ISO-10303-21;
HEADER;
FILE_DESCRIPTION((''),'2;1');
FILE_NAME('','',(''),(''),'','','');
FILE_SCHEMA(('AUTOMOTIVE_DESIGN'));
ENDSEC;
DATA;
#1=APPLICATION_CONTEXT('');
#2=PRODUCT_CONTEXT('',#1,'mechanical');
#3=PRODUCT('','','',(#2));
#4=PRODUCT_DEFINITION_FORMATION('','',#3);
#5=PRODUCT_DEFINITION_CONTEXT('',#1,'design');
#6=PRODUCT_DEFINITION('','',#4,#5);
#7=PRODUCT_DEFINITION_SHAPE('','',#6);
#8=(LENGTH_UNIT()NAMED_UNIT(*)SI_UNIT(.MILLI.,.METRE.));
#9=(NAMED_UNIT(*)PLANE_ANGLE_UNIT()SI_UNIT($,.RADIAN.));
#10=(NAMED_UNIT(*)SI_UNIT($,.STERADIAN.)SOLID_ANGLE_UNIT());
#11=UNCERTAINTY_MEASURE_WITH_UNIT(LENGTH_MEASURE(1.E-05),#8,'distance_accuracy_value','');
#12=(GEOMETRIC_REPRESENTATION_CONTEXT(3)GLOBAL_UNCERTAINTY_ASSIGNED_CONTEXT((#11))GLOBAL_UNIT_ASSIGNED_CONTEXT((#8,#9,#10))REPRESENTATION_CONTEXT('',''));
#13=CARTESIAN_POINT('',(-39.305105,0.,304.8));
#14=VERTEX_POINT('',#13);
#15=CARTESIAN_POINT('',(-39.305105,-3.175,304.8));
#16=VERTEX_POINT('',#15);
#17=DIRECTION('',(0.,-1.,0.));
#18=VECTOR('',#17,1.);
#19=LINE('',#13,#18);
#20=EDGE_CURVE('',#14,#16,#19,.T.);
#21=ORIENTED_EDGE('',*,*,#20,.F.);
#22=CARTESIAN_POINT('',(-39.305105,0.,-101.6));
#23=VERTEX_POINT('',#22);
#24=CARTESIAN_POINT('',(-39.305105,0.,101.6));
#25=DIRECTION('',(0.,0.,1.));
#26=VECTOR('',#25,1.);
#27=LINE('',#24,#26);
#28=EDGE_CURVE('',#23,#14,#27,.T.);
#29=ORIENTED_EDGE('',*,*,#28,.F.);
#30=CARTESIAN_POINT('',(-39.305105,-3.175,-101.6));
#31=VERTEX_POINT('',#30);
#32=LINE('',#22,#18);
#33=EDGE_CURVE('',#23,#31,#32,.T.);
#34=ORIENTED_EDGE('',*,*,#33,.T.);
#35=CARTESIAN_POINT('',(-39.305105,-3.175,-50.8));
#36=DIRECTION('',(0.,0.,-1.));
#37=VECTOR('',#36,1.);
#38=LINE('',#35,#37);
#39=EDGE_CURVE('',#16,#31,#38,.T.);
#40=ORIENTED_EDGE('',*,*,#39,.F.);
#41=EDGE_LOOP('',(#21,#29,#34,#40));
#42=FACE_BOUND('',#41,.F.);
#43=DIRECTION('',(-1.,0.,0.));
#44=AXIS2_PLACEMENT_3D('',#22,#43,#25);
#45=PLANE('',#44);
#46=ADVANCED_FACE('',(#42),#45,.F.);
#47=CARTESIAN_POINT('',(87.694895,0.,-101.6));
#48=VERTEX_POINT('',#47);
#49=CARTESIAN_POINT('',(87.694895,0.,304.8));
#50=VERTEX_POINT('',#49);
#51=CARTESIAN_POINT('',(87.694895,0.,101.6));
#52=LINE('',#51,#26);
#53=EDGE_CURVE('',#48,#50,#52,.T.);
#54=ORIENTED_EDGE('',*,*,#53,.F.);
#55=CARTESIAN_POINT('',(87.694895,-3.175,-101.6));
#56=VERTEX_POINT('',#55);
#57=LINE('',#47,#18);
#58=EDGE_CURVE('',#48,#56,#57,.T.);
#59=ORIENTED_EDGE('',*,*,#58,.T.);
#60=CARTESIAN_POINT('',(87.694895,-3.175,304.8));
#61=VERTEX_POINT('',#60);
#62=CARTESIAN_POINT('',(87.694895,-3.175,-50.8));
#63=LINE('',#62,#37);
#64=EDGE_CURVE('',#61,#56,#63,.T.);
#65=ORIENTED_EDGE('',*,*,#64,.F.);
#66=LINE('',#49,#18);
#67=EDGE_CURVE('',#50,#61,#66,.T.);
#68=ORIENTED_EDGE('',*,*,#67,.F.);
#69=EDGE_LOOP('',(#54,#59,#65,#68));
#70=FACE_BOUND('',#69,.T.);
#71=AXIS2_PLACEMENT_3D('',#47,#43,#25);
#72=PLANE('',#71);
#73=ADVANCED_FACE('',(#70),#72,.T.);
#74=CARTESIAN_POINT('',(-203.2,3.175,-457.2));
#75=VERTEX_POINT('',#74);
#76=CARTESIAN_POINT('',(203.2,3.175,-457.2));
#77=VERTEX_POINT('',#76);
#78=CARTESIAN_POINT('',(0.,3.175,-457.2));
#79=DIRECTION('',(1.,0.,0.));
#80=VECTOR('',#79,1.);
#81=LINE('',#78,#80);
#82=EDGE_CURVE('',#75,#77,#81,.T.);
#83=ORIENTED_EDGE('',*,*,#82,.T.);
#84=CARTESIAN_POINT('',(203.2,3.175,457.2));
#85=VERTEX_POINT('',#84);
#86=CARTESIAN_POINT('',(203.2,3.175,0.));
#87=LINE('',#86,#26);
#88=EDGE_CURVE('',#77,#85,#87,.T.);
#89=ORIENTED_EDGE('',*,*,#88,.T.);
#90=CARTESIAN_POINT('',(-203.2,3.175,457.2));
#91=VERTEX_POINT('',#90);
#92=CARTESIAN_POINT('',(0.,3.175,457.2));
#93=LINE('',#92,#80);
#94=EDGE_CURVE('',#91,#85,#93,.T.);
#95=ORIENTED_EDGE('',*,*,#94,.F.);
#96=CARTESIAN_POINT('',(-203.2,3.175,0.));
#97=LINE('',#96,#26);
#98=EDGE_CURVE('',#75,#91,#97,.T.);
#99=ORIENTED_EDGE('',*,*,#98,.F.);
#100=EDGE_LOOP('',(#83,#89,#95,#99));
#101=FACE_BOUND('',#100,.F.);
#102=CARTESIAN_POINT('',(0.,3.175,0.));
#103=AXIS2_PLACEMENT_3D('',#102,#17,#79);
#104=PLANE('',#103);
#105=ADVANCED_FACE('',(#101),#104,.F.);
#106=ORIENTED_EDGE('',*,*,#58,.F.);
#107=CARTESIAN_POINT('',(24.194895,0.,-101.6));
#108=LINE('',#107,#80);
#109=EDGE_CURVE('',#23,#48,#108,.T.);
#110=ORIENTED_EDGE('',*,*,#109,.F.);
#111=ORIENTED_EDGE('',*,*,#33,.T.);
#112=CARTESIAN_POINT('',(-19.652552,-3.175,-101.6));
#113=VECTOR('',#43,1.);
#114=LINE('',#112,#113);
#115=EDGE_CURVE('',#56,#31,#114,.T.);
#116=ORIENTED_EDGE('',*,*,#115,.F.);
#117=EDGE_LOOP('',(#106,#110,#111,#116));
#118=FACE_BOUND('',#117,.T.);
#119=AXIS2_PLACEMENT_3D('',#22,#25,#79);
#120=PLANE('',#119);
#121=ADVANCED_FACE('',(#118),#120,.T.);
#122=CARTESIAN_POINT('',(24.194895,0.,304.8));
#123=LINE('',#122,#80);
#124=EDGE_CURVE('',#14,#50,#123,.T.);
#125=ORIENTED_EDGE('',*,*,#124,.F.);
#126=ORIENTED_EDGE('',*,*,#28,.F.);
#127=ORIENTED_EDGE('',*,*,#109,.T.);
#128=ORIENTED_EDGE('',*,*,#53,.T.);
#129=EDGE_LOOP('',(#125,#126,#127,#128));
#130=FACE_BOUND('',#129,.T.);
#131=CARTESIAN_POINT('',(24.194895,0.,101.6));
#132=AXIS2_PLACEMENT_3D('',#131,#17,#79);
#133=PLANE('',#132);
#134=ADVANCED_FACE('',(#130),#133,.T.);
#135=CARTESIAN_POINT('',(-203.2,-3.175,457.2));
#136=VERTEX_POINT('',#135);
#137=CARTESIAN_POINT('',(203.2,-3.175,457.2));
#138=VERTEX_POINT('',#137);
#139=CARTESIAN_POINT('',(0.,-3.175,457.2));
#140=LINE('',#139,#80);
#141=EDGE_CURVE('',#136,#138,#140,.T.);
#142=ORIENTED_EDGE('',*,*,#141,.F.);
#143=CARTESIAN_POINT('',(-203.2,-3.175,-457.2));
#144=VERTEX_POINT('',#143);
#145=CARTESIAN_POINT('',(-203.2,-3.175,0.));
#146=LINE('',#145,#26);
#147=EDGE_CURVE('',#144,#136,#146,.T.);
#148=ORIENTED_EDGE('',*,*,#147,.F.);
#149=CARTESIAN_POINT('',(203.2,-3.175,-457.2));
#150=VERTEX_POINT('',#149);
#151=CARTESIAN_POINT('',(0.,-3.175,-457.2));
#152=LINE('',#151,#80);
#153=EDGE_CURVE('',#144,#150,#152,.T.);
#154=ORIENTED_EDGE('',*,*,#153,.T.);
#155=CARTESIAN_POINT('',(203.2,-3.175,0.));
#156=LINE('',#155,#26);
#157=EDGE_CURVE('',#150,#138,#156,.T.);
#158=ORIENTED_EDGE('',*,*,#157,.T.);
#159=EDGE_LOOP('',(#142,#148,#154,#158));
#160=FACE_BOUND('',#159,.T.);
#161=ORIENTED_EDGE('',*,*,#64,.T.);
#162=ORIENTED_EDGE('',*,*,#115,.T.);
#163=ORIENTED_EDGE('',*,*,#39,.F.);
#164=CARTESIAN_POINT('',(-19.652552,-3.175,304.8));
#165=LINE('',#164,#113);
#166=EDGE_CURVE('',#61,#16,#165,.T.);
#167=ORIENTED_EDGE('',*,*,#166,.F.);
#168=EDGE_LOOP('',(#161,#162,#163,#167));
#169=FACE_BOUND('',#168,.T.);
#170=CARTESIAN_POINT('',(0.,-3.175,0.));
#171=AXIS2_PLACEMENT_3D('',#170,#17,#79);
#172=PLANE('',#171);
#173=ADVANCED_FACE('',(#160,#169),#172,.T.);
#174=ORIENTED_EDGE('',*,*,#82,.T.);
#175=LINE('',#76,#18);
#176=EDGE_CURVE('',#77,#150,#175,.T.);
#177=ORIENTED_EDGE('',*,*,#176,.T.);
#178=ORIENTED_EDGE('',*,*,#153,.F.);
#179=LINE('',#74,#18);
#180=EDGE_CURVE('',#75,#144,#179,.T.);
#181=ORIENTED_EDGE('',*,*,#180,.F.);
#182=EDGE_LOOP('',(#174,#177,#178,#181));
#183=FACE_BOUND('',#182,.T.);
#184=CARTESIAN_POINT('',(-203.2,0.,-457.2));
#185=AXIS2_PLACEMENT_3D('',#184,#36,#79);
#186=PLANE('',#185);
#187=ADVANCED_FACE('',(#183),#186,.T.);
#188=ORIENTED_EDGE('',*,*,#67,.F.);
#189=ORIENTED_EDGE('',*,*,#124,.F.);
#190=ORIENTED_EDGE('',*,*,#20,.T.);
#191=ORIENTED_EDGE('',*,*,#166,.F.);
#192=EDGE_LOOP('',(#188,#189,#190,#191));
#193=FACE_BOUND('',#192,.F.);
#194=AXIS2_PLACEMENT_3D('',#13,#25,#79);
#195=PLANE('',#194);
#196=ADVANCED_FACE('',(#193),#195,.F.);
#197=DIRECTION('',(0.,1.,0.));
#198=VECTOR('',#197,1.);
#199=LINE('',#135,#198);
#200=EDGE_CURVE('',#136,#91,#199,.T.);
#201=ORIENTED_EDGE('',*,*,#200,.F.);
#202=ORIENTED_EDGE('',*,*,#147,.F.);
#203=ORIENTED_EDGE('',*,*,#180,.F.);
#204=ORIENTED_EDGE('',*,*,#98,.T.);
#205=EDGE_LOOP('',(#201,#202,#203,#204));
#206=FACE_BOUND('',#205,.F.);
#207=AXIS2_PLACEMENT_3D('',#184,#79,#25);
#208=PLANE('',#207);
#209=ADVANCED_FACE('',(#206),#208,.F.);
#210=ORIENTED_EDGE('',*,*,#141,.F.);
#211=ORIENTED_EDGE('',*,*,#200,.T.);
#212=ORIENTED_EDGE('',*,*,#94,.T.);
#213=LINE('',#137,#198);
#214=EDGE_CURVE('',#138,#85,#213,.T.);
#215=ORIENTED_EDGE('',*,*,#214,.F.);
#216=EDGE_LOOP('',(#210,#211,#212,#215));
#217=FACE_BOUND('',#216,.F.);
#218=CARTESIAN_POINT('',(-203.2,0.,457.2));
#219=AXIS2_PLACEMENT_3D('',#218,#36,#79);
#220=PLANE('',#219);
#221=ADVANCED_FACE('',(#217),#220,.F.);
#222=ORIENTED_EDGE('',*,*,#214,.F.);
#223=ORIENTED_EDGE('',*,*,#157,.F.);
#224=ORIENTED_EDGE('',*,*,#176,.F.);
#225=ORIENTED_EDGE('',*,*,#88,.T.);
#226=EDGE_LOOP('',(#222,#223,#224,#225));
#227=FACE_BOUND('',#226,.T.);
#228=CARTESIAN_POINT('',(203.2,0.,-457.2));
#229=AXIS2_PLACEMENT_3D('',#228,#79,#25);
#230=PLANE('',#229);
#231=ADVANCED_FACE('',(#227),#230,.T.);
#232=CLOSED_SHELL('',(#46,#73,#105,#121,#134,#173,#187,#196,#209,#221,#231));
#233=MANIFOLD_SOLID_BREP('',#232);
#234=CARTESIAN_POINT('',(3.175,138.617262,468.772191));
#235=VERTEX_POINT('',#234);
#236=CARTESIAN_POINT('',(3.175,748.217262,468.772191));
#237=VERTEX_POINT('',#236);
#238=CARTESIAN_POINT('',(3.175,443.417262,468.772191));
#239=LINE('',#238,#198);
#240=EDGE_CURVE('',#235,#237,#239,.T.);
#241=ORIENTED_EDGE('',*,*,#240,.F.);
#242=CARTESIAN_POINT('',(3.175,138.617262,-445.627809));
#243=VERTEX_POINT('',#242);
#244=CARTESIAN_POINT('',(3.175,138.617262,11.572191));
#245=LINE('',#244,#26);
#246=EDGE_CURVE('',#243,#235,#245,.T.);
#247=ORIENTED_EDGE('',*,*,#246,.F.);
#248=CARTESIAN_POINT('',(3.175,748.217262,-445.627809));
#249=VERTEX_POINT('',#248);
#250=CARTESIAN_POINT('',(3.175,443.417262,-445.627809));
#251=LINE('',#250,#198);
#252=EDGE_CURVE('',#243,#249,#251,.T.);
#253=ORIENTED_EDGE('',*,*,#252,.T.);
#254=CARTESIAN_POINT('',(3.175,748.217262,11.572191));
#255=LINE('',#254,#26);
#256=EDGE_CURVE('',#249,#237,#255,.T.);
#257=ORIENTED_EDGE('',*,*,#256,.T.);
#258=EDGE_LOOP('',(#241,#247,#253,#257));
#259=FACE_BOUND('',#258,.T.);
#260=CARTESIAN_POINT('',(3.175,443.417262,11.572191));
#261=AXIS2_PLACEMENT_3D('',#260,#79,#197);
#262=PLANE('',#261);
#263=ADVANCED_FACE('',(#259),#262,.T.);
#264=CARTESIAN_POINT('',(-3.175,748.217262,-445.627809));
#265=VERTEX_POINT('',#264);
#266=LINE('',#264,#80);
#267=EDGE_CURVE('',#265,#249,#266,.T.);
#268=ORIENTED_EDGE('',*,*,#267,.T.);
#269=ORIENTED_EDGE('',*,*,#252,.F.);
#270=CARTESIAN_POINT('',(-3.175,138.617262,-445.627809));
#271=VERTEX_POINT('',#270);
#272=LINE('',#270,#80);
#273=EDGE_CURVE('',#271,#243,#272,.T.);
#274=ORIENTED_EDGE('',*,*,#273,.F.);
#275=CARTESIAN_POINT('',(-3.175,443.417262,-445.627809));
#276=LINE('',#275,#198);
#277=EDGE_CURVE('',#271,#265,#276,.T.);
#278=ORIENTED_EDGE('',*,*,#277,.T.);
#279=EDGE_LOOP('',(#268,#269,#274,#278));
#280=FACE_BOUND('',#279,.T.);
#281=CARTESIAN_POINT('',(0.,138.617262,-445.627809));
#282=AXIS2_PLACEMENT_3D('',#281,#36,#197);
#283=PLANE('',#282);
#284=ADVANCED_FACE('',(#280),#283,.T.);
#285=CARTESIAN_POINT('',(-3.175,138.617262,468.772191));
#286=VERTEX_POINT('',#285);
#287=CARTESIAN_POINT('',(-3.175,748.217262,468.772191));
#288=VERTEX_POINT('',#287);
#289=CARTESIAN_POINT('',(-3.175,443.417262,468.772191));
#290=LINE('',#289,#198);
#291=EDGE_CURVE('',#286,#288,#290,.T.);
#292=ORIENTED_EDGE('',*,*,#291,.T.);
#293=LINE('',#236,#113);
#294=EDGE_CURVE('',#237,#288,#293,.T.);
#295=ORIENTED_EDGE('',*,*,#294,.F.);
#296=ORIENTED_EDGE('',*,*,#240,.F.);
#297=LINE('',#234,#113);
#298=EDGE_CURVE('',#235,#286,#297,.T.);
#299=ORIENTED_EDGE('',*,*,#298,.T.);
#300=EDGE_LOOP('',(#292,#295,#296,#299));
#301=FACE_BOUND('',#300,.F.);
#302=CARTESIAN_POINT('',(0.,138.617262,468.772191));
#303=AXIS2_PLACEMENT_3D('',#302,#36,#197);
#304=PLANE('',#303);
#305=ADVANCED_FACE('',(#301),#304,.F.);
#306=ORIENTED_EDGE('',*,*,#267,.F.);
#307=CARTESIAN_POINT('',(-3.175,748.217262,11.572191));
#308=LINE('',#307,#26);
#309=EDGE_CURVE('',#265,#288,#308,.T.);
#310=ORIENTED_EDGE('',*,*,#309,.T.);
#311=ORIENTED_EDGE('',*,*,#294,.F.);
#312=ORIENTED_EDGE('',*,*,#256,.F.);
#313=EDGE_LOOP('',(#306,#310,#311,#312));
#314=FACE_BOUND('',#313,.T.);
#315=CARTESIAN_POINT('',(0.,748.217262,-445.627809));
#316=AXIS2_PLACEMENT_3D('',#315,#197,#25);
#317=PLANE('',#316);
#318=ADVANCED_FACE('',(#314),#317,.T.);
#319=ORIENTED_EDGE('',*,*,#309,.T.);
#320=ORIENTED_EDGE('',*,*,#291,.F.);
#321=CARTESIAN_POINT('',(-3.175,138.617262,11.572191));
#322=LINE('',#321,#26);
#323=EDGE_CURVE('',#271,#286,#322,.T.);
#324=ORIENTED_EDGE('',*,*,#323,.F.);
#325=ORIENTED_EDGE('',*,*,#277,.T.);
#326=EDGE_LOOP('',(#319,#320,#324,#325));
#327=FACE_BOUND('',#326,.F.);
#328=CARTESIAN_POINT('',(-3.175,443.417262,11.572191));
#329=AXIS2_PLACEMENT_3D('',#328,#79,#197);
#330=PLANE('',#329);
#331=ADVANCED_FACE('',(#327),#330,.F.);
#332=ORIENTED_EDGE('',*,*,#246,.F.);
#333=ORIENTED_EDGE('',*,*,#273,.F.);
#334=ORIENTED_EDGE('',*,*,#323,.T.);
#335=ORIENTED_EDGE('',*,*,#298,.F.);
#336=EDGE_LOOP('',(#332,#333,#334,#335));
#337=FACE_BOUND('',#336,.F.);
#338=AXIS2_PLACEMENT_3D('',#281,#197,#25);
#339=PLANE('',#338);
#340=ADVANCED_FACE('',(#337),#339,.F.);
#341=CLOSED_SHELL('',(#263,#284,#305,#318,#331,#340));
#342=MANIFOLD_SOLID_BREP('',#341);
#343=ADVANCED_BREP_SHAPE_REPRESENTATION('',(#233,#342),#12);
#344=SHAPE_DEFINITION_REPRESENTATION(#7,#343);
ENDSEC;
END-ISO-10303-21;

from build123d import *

# Parameters (mm, degrees)
F0_W     = 406.4
F0_H     = 914.4
F2_DEPTH = 3.175
F3_W     = 609.6
F3_H     = 914.4
F4_DEPTH = 3.175
F1_W     = 127
F1_H     = 406.4
F5_DEPTH = 3.176


with BuildPart() as f2:
    # F0 (on Front) → F2 (new body, symmetric)
    with BuildSketch(Plane.XZ):
        Rectangle(F0_W, F0_H)
    extrude(amount=F2_DEPTH, both=True)

    # F1 (on face) → F5 (cut, through all)
    with BuildSketch(Plane.XZ):
        with Locations((24.194895, 101.6)):
            Rectangle(F1_W, F1_H)
    extrude(amount=F5_DEPTH, mode=Mode.SUBTRACT)


with BuildPart() as f4:
    # F3 (on Right) → F4 (new body, symmetric)
    with BuildSketch(Plane.YZ):
        with Locations((443.417262, 11.572191)):
            Rectangle(F3_W, F3_H)
    extrude(amount=F4_DEPTH, both=True)


solid = Compound([f2.part, f4.part])
